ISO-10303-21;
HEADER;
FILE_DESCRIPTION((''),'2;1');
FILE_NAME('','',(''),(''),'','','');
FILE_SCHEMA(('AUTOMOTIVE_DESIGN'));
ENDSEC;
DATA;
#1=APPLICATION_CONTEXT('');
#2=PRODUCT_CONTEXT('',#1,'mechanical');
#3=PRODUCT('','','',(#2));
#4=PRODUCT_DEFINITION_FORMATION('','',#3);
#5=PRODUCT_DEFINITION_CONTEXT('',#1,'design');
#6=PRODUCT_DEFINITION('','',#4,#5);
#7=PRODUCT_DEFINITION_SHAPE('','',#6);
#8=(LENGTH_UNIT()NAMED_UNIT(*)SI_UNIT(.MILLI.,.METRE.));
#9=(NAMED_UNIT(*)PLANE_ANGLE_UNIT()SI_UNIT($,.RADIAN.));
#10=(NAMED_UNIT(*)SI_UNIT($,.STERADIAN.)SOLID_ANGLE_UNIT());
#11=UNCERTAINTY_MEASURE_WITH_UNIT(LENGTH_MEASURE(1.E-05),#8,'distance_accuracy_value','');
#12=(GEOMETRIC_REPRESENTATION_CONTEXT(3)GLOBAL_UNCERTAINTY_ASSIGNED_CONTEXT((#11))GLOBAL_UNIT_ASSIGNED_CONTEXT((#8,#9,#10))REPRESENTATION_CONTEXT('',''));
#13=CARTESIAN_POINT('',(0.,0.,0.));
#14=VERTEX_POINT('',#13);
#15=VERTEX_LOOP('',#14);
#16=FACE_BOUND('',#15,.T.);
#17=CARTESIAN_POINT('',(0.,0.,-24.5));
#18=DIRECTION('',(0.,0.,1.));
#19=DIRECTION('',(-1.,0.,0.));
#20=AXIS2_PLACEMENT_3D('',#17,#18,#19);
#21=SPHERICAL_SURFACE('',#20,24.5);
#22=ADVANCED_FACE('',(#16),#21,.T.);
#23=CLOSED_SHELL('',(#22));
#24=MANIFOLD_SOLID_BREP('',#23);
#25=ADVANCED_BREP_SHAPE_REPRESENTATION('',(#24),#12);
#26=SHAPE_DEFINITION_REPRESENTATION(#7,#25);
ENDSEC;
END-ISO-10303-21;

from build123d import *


with BuildPart() as part:
    # Sketch1 → Revolve1 (revolve)
    with BuildSketch(Plane(origin=(0, 0, 0), x_dir=(1, 0, 0), z_dir=(0, 1, 0))):
        with BuildLine():
            Line((0, 0), (0, 49))
            ThreePointArc((0, 49), (-24.5, 24.5), (0, 0))
        make_face()
    revolve(axis=Axis((0, 0, 0), (0, 0, -1)))


solid = part.part
